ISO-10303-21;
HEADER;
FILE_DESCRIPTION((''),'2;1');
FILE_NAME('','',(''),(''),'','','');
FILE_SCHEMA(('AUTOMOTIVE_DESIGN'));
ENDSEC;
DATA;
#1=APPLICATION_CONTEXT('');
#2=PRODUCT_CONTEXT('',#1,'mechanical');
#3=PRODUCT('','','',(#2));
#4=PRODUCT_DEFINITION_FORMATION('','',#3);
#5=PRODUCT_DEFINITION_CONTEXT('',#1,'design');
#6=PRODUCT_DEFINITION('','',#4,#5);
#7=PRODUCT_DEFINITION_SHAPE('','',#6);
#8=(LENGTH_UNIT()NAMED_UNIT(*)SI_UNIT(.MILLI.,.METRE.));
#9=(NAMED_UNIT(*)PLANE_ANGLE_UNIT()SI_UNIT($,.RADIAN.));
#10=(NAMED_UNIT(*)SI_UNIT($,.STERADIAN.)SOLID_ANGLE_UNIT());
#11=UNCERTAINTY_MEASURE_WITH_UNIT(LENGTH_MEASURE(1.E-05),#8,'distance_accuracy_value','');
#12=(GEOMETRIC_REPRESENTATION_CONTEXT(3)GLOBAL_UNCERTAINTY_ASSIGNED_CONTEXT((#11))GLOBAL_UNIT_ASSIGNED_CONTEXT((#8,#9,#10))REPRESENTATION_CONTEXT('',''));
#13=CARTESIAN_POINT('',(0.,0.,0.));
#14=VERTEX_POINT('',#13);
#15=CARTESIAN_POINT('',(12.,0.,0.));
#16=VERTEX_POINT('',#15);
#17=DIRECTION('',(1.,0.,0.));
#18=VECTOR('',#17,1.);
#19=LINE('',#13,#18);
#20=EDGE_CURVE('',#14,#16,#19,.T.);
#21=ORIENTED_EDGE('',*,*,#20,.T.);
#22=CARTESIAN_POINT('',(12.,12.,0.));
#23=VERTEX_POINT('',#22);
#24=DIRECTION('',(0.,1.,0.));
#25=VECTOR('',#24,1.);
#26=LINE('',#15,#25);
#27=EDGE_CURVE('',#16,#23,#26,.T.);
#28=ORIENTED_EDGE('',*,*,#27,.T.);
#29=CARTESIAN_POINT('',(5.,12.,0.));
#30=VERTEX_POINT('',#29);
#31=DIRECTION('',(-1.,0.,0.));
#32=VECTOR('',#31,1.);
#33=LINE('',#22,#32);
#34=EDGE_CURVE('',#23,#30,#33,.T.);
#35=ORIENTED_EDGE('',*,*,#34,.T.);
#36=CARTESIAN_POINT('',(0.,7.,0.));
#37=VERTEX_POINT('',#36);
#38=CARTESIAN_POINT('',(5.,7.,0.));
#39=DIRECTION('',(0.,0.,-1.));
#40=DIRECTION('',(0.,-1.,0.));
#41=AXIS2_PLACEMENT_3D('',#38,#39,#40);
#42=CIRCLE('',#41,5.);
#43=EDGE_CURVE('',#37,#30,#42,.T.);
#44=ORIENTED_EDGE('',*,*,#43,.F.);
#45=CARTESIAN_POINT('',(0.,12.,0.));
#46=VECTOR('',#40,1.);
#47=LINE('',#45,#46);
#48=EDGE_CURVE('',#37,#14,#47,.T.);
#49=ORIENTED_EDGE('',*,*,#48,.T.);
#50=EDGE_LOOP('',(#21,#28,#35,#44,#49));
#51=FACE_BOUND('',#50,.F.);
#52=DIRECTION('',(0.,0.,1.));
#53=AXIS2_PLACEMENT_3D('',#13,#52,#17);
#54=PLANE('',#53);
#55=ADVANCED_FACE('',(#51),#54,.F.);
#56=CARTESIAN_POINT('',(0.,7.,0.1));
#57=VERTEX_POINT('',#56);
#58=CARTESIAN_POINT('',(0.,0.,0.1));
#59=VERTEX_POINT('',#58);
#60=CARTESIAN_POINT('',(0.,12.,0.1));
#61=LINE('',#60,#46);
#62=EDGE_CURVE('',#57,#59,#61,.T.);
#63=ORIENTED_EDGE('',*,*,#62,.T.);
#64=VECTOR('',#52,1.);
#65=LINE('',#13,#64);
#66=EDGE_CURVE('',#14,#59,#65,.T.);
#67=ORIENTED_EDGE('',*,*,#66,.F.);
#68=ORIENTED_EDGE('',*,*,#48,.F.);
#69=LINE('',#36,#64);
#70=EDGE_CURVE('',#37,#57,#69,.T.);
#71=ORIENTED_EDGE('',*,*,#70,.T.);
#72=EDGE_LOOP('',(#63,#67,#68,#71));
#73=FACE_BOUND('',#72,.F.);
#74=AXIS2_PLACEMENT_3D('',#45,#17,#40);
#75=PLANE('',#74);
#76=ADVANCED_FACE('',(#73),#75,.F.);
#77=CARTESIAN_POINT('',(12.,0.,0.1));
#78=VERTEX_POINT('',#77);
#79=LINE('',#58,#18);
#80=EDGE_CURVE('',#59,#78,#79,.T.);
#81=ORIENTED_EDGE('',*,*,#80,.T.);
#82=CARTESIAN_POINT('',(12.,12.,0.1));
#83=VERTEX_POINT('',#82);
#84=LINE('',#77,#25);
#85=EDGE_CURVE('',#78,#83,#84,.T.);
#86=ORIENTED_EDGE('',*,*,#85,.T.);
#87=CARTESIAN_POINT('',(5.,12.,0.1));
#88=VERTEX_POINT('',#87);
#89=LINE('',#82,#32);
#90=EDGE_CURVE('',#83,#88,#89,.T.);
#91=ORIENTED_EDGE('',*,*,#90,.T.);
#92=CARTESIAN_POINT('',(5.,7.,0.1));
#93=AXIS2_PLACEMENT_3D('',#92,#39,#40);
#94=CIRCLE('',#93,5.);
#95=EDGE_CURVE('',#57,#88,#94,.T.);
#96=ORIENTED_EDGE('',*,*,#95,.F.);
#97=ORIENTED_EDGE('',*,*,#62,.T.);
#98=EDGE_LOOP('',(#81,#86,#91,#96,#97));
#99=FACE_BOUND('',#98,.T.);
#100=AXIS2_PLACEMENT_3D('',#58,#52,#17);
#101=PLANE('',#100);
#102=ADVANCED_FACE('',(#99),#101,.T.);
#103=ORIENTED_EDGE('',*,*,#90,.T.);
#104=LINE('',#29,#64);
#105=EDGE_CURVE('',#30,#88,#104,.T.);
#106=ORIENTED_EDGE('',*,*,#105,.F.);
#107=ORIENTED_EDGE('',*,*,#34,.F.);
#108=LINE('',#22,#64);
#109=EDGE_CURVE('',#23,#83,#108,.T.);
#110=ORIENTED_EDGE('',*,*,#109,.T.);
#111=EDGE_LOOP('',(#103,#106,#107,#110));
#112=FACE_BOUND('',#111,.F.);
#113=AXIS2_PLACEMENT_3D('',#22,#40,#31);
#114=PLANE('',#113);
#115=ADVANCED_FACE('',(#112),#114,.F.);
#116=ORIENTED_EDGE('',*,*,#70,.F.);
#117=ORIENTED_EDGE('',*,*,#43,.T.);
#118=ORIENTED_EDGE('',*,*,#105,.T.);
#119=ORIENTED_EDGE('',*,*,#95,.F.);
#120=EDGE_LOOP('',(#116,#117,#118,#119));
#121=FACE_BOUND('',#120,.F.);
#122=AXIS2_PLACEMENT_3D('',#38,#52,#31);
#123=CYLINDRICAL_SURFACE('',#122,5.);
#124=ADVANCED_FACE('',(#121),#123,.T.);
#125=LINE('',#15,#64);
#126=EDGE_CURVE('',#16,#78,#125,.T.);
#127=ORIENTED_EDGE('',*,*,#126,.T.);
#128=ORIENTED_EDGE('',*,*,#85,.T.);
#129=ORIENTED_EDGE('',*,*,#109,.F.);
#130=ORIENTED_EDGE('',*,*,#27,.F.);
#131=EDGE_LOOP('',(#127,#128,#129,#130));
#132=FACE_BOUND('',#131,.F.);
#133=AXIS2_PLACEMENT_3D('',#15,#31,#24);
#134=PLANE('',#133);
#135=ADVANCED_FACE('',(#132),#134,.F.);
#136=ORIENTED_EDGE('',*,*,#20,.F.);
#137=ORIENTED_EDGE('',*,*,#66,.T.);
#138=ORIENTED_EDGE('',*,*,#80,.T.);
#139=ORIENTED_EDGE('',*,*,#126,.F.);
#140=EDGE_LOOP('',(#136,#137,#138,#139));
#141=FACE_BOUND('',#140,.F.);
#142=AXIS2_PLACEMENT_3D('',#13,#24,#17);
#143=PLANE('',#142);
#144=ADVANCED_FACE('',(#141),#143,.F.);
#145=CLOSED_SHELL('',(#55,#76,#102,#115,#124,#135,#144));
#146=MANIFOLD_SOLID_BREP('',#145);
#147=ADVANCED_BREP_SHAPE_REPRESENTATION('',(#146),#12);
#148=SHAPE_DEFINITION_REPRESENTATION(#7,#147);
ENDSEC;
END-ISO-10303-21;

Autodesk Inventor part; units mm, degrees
ref_plane "YZ Plane" through (0, 0, 0) normal (1, 0, 0) x (0, 1, 0)
ref_plane "XZ Plane" through (0, 0, 0) normal (0, 1, 0) x (-1, 0, 0)
ref_plane "XY Plane" through (0, 0, 0) normal (0, 0, 1) x (1, 0, 0)
sketch "Sketch1" plane through (0, 0, 0) normal (0, 0, 1) x (1, 0, 0)
  line L0 (0, 0) -> (12, 0)
  line L1 (12, 0) -> (12, 12)
  line L2 (12, 12) -> (0, 12)
  line L3 (0, 12) -> (0, 0)
  dimension "d0" = 12
  dimension "d1" = 12
extrude "Extrusion1" add sketch "Sketch1" along normal blind 0.1
fillet "Fillet1" radius 5 1 edges at (0, 12, 0.05)
properties part number "4201_ACS770_Solder_Pads_MPSv2_v1" material "Titanium"
